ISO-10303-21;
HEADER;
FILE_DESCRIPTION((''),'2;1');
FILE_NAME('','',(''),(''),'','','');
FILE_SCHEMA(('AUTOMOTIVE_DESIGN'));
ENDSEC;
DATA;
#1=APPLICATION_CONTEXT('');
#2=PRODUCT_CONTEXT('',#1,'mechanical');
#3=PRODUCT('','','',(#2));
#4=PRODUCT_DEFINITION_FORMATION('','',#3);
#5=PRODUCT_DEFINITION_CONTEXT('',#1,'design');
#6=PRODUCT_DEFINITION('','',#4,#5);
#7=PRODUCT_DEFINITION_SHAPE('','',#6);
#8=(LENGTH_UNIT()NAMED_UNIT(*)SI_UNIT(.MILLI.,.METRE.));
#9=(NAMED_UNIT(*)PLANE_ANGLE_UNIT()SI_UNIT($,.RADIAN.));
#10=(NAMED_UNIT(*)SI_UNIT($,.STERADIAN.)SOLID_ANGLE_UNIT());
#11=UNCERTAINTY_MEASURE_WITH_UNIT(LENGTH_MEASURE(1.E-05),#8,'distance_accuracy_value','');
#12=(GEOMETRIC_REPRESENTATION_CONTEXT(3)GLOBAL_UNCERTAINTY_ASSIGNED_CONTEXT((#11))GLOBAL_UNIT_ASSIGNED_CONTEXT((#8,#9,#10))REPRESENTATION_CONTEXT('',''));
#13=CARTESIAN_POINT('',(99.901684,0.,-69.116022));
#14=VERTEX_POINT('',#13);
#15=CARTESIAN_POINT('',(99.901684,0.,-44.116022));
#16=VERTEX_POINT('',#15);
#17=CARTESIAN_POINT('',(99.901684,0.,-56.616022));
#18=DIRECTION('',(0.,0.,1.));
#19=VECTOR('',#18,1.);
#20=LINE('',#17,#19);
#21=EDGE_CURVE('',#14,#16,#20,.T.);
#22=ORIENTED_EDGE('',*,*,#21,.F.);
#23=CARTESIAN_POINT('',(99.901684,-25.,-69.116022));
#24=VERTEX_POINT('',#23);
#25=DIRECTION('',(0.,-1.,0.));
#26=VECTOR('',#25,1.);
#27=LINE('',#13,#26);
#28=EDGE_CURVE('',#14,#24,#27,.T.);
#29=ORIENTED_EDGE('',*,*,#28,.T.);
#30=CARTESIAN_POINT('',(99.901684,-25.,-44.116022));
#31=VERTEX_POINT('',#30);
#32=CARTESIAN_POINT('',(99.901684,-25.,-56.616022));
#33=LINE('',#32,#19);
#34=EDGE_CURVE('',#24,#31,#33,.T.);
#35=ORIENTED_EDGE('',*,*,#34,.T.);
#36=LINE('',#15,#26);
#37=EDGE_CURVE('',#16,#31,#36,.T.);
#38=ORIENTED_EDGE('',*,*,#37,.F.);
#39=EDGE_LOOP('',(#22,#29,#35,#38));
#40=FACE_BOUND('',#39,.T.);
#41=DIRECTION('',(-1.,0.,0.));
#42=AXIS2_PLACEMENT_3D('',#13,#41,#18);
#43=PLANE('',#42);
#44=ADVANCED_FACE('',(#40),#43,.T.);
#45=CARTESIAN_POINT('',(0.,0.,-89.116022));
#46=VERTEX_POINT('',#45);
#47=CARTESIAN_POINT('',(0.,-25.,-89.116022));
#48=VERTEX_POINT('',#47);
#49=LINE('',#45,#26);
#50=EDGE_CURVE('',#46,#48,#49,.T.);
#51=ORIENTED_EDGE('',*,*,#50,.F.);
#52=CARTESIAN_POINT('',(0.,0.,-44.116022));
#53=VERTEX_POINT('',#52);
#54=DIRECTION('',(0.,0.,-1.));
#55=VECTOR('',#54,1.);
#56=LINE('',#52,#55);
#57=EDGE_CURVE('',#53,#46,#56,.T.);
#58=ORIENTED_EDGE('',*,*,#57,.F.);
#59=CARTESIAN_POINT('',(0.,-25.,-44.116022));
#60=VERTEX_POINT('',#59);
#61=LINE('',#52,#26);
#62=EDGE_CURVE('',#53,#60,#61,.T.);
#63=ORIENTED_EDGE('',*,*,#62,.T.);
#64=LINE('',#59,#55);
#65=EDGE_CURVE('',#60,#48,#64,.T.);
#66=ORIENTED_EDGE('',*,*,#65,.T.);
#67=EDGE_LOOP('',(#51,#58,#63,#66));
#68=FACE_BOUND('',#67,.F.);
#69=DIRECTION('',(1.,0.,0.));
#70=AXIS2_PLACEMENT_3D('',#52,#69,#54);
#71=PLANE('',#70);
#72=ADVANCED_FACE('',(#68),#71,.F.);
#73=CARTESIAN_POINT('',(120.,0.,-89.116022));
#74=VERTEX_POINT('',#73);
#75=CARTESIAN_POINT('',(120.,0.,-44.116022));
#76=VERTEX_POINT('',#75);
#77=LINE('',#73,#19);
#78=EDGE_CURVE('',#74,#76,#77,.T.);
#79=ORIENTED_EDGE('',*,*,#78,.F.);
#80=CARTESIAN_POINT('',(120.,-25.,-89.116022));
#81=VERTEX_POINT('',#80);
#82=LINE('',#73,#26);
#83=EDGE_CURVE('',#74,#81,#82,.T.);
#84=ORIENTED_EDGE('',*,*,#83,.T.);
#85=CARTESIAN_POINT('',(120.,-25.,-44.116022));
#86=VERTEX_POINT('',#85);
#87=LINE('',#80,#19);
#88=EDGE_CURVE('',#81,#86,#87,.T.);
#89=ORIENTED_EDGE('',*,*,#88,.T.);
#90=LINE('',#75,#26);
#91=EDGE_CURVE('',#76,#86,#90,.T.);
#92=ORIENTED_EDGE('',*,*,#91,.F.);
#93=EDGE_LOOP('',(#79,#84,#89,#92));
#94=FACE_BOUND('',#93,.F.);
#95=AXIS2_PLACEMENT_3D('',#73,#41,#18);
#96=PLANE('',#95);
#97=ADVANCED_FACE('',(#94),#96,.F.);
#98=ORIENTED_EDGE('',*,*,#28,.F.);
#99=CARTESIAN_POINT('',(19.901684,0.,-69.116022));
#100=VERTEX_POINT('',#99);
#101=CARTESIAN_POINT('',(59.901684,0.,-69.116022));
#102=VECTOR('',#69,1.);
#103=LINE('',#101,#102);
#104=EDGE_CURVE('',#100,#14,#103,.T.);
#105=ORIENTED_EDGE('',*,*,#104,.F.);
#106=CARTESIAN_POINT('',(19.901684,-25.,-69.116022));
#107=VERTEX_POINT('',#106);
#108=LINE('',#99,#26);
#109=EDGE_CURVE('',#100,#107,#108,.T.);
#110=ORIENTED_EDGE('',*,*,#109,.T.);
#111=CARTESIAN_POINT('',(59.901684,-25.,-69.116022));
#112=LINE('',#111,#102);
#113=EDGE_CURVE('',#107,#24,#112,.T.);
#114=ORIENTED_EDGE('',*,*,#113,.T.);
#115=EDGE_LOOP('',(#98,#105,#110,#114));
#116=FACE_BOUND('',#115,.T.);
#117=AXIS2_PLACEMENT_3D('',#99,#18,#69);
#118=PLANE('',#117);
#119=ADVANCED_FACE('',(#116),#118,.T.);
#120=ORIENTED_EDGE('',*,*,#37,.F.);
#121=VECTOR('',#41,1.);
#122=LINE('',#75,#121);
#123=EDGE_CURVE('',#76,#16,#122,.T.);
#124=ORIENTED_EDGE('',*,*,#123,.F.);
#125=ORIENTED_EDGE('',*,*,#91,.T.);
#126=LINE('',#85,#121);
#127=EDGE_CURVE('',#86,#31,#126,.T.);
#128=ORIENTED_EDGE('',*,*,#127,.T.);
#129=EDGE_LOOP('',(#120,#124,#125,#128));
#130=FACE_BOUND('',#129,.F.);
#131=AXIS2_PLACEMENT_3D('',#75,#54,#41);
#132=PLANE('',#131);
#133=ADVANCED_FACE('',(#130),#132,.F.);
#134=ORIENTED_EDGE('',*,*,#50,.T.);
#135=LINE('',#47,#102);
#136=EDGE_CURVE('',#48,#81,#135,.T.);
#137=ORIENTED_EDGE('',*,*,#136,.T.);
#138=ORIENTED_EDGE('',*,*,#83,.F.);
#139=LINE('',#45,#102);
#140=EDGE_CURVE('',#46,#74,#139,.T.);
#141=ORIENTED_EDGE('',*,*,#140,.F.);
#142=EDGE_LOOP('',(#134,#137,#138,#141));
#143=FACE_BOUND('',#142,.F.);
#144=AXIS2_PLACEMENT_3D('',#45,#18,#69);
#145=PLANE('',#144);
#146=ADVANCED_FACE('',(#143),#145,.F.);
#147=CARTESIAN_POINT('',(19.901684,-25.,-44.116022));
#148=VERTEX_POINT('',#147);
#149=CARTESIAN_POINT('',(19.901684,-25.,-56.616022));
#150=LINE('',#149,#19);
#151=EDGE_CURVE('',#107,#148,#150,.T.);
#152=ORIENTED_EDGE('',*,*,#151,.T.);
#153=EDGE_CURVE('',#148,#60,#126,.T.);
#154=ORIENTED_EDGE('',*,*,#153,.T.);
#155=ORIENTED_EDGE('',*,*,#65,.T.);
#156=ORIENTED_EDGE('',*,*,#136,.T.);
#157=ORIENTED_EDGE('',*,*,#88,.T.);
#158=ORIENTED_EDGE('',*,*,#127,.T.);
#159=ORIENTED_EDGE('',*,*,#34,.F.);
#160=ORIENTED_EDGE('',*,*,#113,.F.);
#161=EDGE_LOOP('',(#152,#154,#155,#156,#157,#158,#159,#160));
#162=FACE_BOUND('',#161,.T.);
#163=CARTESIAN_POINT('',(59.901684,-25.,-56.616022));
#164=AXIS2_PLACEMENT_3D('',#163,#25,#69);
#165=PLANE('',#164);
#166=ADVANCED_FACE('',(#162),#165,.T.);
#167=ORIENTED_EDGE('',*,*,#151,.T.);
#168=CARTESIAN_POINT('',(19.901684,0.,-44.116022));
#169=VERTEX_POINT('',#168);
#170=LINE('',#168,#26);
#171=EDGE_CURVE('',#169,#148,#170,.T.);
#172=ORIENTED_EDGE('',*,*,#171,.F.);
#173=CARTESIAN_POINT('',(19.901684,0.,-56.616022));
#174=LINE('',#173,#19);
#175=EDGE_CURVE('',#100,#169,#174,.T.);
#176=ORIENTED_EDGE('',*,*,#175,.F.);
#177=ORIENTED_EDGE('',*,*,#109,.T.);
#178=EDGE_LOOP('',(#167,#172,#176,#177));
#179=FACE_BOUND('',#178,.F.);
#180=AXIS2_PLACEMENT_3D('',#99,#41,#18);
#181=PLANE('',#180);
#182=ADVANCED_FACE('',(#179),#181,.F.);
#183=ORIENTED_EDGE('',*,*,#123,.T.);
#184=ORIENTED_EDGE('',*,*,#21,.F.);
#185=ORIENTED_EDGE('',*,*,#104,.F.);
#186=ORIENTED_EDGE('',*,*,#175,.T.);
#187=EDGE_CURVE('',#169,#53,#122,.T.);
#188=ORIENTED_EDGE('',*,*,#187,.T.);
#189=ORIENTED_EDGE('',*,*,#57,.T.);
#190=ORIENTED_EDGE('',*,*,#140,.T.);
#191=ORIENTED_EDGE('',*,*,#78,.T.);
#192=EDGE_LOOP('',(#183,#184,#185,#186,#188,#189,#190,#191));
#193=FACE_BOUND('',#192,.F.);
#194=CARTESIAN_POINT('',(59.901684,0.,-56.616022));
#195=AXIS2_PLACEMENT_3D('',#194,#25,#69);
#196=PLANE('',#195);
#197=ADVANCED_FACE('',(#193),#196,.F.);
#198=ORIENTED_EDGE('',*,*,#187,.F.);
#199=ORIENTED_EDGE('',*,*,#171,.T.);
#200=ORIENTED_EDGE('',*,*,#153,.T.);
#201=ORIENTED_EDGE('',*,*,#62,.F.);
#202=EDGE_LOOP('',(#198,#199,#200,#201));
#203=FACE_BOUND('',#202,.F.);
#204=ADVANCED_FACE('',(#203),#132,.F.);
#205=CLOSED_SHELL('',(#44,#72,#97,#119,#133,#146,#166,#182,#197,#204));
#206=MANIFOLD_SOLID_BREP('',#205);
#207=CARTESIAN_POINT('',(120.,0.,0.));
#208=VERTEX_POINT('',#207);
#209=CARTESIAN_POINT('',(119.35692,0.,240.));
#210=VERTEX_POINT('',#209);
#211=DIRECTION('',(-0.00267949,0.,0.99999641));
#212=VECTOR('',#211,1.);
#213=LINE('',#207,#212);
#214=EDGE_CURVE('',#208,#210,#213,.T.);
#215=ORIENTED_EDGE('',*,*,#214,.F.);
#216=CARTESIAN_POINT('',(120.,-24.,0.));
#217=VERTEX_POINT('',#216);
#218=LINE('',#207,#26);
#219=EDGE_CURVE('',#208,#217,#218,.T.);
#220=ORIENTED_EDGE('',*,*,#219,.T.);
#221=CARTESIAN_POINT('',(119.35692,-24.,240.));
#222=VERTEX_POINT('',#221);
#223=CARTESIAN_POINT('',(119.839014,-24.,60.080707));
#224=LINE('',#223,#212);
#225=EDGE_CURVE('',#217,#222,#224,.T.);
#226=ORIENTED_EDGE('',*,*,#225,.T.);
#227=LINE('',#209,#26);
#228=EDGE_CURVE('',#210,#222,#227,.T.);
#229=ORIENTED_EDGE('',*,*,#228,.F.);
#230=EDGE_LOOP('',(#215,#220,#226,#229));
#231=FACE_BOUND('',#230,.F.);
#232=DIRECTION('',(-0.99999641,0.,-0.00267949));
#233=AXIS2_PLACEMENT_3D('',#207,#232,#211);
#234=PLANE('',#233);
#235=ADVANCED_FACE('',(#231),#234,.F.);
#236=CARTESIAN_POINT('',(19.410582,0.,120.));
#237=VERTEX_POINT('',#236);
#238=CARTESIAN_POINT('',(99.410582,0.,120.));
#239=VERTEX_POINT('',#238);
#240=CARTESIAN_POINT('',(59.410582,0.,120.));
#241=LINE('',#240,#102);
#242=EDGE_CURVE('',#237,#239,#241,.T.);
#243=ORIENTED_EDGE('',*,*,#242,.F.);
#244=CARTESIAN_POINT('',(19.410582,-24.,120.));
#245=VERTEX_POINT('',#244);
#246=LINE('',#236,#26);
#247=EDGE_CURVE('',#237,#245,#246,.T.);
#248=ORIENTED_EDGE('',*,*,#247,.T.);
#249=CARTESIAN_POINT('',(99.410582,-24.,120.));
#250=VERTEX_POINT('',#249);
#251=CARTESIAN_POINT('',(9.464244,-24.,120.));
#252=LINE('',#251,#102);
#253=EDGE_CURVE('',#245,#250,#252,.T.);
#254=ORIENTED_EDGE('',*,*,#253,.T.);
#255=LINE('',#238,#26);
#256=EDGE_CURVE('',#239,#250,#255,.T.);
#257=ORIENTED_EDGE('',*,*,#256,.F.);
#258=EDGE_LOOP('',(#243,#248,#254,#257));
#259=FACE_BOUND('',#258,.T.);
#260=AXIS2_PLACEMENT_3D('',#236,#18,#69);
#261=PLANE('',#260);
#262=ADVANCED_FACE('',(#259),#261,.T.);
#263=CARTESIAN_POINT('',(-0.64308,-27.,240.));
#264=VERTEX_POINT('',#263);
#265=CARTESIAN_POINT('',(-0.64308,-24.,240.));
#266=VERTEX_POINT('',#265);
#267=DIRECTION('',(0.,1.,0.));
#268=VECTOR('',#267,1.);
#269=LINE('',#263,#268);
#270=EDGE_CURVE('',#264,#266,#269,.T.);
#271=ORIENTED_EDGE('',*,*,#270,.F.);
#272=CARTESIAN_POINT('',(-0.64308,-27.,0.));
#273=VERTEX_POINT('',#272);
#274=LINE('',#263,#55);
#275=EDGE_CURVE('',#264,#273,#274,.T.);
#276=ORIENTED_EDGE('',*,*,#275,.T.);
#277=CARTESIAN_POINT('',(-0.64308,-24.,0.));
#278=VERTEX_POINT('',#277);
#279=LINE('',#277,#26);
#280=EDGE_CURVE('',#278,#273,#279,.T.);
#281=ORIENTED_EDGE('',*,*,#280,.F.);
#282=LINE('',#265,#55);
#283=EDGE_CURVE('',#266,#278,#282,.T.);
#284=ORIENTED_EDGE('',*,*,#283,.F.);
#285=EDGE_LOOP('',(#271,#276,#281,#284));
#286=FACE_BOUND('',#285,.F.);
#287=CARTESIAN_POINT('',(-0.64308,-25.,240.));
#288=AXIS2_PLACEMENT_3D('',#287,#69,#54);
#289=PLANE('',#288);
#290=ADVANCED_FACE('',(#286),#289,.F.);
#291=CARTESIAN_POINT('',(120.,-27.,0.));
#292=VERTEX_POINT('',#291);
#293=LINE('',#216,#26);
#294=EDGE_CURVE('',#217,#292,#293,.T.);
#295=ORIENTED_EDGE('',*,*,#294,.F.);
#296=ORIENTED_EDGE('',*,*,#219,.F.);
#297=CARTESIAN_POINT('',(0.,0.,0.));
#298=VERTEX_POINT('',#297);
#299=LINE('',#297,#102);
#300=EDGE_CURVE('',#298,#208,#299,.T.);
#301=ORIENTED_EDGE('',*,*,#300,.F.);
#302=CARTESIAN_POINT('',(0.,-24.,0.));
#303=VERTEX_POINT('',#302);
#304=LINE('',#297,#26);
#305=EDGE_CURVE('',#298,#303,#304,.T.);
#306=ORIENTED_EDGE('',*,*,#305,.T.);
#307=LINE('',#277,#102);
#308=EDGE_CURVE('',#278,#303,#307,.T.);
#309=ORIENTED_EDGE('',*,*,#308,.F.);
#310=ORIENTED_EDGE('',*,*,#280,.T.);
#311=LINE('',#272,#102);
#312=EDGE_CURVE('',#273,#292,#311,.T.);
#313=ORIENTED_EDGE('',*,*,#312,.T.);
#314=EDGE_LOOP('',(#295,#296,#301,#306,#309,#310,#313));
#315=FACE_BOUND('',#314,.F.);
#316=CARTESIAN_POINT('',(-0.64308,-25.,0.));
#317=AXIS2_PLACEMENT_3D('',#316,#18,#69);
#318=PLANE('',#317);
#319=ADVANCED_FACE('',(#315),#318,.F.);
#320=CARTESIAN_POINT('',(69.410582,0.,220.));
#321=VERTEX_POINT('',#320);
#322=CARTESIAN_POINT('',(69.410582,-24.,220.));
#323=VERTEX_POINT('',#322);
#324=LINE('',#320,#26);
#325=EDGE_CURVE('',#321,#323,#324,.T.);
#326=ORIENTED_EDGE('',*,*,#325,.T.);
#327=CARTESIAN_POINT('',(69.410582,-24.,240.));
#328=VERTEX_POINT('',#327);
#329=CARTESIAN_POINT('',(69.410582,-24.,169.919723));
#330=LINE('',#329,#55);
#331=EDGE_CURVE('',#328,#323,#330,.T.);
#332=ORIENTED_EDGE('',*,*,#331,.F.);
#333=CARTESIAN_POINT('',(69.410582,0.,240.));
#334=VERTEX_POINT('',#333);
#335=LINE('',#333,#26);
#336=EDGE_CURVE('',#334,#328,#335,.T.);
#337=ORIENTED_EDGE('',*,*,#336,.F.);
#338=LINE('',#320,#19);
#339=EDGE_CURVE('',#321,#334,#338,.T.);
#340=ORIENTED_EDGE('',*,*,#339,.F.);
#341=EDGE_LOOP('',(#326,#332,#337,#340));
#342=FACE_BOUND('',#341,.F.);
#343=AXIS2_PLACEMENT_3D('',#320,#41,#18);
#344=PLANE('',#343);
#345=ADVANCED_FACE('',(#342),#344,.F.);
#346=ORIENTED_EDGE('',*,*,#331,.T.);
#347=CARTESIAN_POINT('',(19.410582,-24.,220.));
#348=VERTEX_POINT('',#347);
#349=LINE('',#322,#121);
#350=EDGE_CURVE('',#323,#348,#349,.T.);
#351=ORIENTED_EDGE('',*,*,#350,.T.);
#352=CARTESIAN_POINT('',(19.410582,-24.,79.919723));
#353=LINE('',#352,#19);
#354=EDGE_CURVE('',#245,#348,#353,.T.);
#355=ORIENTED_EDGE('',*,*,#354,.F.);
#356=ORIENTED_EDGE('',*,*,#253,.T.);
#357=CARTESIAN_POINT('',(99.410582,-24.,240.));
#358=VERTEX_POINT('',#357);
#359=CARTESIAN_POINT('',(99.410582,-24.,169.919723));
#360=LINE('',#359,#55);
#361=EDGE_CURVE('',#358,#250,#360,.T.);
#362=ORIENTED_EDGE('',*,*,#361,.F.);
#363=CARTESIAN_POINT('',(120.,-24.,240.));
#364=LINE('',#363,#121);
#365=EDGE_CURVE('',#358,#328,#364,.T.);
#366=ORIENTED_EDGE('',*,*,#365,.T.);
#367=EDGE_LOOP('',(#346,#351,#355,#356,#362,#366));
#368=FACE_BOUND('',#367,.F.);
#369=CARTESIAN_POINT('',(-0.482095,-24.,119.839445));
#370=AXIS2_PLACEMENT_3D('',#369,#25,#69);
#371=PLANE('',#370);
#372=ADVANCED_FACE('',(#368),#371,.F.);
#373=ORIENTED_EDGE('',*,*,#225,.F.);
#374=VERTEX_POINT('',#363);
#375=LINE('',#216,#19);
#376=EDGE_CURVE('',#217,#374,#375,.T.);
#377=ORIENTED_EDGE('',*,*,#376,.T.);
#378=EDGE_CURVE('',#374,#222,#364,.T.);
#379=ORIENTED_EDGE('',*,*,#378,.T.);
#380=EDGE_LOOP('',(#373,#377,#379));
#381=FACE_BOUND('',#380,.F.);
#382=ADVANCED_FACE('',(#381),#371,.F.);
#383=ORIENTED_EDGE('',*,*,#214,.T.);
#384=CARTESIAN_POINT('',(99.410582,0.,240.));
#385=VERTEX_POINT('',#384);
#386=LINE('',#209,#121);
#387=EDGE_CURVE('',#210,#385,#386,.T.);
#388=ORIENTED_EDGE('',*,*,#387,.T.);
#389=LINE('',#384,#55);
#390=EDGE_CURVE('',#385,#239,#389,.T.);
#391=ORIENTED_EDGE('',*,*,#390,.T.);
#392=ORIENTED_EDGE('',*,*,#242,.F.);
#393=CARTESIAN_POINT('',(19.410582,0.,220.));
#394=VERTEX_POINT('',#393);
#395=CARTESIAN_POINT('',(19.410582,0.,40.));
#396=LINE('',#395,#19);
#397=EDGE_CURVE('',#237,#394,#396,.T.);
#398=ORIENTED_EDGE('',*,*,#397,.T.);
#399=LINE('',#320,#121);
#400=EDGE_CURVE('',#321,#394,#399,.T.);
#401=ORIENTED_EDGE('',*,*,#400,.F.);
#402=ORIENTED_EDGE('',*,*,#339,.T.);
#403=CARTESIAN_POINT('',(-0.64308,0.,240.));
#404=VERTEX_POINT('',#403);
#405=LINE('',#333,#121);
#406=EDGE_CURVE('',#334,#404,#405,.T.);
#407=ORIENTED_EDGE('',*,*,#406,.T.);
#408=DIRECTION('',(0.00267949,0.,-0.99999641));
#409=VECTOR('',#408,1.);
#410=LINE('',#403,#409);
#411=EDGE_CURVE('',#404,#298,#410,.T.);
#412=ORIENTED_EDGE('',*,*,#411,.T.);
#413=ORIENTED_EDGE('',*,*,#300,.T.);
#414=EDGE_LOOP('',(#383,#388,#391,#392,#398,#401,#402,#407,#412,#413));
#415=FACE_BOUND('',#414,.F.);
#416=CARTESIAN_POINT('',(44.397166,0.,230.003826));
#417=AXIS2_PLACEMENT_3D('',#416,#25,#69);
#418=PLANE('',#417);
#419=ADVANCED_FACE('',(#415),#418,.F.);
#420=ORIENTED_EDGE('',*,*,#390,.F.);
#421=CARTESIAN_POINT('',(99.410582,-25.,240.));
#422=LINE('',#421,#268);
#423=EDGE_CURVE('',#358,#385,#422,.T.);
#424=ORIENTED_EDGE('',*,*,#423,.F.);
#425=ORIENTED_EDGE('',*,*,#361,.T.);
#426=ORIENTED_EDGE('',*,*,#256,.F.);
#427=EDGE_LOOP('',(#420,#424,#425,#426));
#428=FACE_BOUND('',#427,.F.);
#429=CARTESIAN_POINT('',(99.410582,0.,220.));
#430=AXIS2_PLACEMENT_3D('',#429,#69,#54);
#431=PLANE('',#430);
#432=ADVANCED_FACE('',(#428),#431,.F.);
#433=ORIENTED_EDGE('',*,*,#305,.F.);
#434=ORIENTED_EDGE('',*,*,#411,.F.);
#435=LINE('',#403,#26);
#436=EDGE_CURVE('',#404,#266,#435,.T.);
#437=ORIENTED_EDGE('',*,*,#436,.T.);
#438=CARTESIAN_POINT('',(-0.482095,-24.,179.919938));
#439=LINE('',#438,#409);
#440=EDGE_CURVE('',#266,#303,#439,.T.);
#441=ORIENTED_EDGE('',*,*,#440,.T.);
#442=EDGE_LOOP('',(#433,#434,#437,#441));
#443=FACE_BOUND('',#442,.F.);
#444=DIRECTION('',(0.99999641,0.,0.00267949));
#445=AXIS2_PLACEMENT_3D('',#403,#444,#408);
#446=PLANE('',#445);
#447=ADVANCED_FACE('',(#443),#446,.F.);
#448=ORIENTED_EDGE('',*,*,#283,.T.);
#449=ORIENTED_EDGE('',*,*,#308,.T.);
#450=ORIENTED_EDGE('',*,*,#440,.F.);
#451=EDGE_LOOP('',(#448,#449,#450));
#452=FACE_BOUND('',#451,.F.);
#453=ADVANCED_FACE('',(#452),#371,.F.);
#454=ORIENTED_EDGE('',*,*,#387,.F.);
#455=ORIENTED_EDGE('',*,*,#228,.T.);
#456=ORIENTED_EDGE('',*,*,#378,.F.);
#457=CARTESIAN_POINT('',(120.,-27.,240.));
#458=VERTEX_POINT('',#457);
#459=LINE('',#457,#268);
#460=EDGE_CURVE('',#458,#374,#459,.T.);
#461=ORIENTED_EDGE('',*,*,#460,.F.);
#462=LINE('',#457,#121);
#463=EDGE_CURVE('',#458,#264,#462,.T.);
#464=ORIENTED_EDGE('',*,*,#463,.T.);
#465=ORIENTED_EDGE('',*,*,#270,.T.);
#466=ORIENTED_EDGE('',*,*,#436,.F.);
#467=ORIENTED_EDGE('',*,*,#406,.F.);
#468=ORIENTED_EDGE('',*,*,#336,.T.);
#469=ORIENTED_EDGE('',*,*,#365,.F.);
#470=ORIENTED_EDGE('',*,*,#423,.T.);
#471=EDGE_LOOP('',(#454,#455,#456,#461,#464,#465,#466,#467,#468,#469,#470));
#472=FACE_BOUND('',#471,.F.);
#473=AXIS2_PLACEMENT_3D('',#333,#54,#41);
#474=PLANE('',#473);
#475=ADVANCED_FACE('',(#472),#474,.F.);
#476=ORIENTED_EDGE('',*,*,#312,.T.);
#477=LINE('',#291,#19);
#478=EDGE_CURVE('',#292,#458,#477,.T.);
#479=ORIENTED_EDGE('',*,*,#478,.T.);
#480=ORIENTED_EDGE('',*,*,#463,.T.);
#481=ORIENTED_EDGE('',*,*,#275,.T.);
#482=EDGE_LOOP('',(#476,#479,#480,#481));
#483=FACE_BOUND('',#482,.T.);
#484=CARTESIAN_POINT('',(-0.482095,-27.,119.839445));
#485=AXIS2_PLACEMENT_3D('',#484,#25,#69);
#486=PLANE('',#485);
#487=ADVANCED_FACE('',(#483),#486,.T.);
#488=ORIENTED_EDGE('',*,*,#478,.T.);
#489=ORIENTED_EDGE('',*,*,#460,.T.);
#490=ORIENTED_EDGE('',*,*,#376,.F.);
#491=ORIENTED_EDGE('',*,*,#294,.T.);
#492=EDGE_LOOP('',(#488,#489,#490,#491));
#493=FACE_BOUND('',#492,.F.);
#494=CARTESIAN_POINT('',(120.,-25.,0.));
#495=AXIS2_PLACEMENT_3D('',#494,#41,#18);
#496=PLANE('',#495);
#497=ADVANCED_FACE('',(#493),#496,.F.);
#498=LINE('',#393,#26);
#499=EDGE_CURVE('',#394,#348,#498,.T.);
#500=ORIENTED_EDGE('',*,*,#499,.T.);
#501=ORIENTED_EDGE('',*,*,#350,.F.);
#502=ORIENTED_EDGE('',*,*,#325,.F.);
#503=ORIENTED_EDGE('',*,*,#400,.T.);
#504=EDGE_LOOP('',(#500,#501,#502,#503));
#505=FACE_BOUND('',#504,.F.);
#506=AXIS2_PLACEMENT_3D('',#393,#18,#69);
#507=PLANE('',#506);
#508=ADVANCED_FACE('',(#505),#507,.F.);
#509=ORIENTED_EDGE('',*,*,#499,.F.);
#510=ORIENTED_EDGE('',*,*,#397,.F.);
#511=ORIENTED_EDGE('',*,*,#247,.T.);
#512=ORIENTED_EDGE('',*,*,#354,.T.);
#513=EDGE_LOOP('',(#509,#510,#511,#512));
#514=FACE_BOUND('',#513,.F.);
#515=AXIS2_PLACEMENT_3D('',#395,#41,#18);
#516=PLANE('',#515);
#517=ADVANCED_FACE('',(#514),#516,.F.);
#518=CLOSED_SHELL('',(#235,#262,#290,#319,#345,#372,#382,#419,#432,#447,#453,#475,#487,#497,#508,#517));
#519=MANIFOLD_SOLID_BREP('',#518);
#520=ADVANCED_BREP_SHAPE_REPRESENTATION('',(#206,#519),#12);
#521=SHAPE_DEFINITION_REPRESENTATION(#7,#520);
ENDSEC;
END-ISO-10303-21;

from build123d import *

# Parameters (mm, degrees)
F0_W          = 80
F0_H          = 25
F1_DEPTH      = 25
F0_H_2        = 80
F2_DEPTH      = 25
F3_W          = 79.7933001444
F3_H          = 20
F4_DEPTH      = 25
F6_DEPTH      = 1
F6_DEPTH_BACK = 2
F7_DEPTH      = 25
F8_DEPTH      = 25
F9_DEPTH      = 25


with BuildPart() as f1:
    # F0 (on Front) → F1 (new body)
    with BuildSketch(Plane.XZ):
        with Locations((59.9016835541, -56.6160219908)):
            Rectangle(F0_W, F0_H)
        Polygon((120, -89.1160219908), (120, -44.1160219908), (99.9016835541, -44.1160219908), (99.9016835541, -69.1160219908), (19.9016835541, -69.1160219908), (19.9016835541, -44.1160219908), (0, -44.1160219908), (0, -89.1160219908), align=None)
    extrude(amount=F1_DEPTH)

    # F0 (on Front) → F8 (cut)
    with BuildSketch(Plane.XZ):
        with Locations((59.9016835541, -56.6160219908)):
            Rectangle(F0_W, F0_H)
    extrude(amount=-F8_DEPTH, mode=Mode.SUBTRACT)

    # F0 (on Front) → F9 (cut)
    with BuildSketch(Plane.XZ):
        with Locations((59.9016835541, -56.6160219908)):
            Rectangle(F0_W, F0_H)
    extrude(amount=F9_DEPTH, mode=Mode.SUBTRACT)


with BuildPart() as f1b:
    # F0 (on Front) → F1, piece 2 (new body)
    with BuildSketch(Plane.XZ):
        Polygon((-0.643079976, 240), (0, 0), (120, 0), (119.356920024, 240), (69.4105818191, 240), (69.4105818191, 220), (99.4105818191, 220), (99.4105818191, 130), (99.4105818191, 120), (99.4105818191, 40), (19.4105818191, 40), (19.4105818191, 120), (19.4105818191, 200), (19.4105818191, 220), (19.356991821, 240), align=None)
        Polygon((69.4105818191, 240), (19.356991821, 240), (19.4105818191, 220), (69.4105818191, 220), align=None)
    extrude(amount=F1_DEPTH)

    # F0 (on Front) → F2 (join)
    with BuildSketch(Plane.XZ):
        with Locations((59.4105818191, 80)):
            Rectangle(F0_W, F0_H_2)
    extrude(amount=F2_DEPTH)

    # F3 (on face) → F4 (cut)
    with BuildSketch(Plane.XZ.offset(25)):
        with Locations((59.5139317469, 230)):
            Rectangle(F3_W, F3_H)
    extrude(amount=-F4_DEPTH, mode=Mode.SUBTRACT)

    # F5 (on face) → F6 (join, two sides)
    with BuildSketch(Plane.XZ.offset(25)) as f6_sk:
        Polygon((0, 0), (-0.643079976, 240), (-0.643079976, 0), align=None)
        Polygon((119.356920024, 240), (-0.643079976, 240), (-0.643079976, 0), (0, 0), (120, 0), (120, 240), align=None)
    extrude(amount=-F6_DEPTH)
    extrude(f6_sk.sketch, amount=F6_DEPTH_BACK)

    # F0 (on Front) → F7 (join)
    with BuildSketch(Plane.XZ):
        Polygon((69.4105818191, 240), (19.356991821, 240), (19.4105818191, 220), (69.4105818191, 220), align=None)
    extrude(amount=F7_DEPTH)


solid = Compound([f1.part, f1b.part])
